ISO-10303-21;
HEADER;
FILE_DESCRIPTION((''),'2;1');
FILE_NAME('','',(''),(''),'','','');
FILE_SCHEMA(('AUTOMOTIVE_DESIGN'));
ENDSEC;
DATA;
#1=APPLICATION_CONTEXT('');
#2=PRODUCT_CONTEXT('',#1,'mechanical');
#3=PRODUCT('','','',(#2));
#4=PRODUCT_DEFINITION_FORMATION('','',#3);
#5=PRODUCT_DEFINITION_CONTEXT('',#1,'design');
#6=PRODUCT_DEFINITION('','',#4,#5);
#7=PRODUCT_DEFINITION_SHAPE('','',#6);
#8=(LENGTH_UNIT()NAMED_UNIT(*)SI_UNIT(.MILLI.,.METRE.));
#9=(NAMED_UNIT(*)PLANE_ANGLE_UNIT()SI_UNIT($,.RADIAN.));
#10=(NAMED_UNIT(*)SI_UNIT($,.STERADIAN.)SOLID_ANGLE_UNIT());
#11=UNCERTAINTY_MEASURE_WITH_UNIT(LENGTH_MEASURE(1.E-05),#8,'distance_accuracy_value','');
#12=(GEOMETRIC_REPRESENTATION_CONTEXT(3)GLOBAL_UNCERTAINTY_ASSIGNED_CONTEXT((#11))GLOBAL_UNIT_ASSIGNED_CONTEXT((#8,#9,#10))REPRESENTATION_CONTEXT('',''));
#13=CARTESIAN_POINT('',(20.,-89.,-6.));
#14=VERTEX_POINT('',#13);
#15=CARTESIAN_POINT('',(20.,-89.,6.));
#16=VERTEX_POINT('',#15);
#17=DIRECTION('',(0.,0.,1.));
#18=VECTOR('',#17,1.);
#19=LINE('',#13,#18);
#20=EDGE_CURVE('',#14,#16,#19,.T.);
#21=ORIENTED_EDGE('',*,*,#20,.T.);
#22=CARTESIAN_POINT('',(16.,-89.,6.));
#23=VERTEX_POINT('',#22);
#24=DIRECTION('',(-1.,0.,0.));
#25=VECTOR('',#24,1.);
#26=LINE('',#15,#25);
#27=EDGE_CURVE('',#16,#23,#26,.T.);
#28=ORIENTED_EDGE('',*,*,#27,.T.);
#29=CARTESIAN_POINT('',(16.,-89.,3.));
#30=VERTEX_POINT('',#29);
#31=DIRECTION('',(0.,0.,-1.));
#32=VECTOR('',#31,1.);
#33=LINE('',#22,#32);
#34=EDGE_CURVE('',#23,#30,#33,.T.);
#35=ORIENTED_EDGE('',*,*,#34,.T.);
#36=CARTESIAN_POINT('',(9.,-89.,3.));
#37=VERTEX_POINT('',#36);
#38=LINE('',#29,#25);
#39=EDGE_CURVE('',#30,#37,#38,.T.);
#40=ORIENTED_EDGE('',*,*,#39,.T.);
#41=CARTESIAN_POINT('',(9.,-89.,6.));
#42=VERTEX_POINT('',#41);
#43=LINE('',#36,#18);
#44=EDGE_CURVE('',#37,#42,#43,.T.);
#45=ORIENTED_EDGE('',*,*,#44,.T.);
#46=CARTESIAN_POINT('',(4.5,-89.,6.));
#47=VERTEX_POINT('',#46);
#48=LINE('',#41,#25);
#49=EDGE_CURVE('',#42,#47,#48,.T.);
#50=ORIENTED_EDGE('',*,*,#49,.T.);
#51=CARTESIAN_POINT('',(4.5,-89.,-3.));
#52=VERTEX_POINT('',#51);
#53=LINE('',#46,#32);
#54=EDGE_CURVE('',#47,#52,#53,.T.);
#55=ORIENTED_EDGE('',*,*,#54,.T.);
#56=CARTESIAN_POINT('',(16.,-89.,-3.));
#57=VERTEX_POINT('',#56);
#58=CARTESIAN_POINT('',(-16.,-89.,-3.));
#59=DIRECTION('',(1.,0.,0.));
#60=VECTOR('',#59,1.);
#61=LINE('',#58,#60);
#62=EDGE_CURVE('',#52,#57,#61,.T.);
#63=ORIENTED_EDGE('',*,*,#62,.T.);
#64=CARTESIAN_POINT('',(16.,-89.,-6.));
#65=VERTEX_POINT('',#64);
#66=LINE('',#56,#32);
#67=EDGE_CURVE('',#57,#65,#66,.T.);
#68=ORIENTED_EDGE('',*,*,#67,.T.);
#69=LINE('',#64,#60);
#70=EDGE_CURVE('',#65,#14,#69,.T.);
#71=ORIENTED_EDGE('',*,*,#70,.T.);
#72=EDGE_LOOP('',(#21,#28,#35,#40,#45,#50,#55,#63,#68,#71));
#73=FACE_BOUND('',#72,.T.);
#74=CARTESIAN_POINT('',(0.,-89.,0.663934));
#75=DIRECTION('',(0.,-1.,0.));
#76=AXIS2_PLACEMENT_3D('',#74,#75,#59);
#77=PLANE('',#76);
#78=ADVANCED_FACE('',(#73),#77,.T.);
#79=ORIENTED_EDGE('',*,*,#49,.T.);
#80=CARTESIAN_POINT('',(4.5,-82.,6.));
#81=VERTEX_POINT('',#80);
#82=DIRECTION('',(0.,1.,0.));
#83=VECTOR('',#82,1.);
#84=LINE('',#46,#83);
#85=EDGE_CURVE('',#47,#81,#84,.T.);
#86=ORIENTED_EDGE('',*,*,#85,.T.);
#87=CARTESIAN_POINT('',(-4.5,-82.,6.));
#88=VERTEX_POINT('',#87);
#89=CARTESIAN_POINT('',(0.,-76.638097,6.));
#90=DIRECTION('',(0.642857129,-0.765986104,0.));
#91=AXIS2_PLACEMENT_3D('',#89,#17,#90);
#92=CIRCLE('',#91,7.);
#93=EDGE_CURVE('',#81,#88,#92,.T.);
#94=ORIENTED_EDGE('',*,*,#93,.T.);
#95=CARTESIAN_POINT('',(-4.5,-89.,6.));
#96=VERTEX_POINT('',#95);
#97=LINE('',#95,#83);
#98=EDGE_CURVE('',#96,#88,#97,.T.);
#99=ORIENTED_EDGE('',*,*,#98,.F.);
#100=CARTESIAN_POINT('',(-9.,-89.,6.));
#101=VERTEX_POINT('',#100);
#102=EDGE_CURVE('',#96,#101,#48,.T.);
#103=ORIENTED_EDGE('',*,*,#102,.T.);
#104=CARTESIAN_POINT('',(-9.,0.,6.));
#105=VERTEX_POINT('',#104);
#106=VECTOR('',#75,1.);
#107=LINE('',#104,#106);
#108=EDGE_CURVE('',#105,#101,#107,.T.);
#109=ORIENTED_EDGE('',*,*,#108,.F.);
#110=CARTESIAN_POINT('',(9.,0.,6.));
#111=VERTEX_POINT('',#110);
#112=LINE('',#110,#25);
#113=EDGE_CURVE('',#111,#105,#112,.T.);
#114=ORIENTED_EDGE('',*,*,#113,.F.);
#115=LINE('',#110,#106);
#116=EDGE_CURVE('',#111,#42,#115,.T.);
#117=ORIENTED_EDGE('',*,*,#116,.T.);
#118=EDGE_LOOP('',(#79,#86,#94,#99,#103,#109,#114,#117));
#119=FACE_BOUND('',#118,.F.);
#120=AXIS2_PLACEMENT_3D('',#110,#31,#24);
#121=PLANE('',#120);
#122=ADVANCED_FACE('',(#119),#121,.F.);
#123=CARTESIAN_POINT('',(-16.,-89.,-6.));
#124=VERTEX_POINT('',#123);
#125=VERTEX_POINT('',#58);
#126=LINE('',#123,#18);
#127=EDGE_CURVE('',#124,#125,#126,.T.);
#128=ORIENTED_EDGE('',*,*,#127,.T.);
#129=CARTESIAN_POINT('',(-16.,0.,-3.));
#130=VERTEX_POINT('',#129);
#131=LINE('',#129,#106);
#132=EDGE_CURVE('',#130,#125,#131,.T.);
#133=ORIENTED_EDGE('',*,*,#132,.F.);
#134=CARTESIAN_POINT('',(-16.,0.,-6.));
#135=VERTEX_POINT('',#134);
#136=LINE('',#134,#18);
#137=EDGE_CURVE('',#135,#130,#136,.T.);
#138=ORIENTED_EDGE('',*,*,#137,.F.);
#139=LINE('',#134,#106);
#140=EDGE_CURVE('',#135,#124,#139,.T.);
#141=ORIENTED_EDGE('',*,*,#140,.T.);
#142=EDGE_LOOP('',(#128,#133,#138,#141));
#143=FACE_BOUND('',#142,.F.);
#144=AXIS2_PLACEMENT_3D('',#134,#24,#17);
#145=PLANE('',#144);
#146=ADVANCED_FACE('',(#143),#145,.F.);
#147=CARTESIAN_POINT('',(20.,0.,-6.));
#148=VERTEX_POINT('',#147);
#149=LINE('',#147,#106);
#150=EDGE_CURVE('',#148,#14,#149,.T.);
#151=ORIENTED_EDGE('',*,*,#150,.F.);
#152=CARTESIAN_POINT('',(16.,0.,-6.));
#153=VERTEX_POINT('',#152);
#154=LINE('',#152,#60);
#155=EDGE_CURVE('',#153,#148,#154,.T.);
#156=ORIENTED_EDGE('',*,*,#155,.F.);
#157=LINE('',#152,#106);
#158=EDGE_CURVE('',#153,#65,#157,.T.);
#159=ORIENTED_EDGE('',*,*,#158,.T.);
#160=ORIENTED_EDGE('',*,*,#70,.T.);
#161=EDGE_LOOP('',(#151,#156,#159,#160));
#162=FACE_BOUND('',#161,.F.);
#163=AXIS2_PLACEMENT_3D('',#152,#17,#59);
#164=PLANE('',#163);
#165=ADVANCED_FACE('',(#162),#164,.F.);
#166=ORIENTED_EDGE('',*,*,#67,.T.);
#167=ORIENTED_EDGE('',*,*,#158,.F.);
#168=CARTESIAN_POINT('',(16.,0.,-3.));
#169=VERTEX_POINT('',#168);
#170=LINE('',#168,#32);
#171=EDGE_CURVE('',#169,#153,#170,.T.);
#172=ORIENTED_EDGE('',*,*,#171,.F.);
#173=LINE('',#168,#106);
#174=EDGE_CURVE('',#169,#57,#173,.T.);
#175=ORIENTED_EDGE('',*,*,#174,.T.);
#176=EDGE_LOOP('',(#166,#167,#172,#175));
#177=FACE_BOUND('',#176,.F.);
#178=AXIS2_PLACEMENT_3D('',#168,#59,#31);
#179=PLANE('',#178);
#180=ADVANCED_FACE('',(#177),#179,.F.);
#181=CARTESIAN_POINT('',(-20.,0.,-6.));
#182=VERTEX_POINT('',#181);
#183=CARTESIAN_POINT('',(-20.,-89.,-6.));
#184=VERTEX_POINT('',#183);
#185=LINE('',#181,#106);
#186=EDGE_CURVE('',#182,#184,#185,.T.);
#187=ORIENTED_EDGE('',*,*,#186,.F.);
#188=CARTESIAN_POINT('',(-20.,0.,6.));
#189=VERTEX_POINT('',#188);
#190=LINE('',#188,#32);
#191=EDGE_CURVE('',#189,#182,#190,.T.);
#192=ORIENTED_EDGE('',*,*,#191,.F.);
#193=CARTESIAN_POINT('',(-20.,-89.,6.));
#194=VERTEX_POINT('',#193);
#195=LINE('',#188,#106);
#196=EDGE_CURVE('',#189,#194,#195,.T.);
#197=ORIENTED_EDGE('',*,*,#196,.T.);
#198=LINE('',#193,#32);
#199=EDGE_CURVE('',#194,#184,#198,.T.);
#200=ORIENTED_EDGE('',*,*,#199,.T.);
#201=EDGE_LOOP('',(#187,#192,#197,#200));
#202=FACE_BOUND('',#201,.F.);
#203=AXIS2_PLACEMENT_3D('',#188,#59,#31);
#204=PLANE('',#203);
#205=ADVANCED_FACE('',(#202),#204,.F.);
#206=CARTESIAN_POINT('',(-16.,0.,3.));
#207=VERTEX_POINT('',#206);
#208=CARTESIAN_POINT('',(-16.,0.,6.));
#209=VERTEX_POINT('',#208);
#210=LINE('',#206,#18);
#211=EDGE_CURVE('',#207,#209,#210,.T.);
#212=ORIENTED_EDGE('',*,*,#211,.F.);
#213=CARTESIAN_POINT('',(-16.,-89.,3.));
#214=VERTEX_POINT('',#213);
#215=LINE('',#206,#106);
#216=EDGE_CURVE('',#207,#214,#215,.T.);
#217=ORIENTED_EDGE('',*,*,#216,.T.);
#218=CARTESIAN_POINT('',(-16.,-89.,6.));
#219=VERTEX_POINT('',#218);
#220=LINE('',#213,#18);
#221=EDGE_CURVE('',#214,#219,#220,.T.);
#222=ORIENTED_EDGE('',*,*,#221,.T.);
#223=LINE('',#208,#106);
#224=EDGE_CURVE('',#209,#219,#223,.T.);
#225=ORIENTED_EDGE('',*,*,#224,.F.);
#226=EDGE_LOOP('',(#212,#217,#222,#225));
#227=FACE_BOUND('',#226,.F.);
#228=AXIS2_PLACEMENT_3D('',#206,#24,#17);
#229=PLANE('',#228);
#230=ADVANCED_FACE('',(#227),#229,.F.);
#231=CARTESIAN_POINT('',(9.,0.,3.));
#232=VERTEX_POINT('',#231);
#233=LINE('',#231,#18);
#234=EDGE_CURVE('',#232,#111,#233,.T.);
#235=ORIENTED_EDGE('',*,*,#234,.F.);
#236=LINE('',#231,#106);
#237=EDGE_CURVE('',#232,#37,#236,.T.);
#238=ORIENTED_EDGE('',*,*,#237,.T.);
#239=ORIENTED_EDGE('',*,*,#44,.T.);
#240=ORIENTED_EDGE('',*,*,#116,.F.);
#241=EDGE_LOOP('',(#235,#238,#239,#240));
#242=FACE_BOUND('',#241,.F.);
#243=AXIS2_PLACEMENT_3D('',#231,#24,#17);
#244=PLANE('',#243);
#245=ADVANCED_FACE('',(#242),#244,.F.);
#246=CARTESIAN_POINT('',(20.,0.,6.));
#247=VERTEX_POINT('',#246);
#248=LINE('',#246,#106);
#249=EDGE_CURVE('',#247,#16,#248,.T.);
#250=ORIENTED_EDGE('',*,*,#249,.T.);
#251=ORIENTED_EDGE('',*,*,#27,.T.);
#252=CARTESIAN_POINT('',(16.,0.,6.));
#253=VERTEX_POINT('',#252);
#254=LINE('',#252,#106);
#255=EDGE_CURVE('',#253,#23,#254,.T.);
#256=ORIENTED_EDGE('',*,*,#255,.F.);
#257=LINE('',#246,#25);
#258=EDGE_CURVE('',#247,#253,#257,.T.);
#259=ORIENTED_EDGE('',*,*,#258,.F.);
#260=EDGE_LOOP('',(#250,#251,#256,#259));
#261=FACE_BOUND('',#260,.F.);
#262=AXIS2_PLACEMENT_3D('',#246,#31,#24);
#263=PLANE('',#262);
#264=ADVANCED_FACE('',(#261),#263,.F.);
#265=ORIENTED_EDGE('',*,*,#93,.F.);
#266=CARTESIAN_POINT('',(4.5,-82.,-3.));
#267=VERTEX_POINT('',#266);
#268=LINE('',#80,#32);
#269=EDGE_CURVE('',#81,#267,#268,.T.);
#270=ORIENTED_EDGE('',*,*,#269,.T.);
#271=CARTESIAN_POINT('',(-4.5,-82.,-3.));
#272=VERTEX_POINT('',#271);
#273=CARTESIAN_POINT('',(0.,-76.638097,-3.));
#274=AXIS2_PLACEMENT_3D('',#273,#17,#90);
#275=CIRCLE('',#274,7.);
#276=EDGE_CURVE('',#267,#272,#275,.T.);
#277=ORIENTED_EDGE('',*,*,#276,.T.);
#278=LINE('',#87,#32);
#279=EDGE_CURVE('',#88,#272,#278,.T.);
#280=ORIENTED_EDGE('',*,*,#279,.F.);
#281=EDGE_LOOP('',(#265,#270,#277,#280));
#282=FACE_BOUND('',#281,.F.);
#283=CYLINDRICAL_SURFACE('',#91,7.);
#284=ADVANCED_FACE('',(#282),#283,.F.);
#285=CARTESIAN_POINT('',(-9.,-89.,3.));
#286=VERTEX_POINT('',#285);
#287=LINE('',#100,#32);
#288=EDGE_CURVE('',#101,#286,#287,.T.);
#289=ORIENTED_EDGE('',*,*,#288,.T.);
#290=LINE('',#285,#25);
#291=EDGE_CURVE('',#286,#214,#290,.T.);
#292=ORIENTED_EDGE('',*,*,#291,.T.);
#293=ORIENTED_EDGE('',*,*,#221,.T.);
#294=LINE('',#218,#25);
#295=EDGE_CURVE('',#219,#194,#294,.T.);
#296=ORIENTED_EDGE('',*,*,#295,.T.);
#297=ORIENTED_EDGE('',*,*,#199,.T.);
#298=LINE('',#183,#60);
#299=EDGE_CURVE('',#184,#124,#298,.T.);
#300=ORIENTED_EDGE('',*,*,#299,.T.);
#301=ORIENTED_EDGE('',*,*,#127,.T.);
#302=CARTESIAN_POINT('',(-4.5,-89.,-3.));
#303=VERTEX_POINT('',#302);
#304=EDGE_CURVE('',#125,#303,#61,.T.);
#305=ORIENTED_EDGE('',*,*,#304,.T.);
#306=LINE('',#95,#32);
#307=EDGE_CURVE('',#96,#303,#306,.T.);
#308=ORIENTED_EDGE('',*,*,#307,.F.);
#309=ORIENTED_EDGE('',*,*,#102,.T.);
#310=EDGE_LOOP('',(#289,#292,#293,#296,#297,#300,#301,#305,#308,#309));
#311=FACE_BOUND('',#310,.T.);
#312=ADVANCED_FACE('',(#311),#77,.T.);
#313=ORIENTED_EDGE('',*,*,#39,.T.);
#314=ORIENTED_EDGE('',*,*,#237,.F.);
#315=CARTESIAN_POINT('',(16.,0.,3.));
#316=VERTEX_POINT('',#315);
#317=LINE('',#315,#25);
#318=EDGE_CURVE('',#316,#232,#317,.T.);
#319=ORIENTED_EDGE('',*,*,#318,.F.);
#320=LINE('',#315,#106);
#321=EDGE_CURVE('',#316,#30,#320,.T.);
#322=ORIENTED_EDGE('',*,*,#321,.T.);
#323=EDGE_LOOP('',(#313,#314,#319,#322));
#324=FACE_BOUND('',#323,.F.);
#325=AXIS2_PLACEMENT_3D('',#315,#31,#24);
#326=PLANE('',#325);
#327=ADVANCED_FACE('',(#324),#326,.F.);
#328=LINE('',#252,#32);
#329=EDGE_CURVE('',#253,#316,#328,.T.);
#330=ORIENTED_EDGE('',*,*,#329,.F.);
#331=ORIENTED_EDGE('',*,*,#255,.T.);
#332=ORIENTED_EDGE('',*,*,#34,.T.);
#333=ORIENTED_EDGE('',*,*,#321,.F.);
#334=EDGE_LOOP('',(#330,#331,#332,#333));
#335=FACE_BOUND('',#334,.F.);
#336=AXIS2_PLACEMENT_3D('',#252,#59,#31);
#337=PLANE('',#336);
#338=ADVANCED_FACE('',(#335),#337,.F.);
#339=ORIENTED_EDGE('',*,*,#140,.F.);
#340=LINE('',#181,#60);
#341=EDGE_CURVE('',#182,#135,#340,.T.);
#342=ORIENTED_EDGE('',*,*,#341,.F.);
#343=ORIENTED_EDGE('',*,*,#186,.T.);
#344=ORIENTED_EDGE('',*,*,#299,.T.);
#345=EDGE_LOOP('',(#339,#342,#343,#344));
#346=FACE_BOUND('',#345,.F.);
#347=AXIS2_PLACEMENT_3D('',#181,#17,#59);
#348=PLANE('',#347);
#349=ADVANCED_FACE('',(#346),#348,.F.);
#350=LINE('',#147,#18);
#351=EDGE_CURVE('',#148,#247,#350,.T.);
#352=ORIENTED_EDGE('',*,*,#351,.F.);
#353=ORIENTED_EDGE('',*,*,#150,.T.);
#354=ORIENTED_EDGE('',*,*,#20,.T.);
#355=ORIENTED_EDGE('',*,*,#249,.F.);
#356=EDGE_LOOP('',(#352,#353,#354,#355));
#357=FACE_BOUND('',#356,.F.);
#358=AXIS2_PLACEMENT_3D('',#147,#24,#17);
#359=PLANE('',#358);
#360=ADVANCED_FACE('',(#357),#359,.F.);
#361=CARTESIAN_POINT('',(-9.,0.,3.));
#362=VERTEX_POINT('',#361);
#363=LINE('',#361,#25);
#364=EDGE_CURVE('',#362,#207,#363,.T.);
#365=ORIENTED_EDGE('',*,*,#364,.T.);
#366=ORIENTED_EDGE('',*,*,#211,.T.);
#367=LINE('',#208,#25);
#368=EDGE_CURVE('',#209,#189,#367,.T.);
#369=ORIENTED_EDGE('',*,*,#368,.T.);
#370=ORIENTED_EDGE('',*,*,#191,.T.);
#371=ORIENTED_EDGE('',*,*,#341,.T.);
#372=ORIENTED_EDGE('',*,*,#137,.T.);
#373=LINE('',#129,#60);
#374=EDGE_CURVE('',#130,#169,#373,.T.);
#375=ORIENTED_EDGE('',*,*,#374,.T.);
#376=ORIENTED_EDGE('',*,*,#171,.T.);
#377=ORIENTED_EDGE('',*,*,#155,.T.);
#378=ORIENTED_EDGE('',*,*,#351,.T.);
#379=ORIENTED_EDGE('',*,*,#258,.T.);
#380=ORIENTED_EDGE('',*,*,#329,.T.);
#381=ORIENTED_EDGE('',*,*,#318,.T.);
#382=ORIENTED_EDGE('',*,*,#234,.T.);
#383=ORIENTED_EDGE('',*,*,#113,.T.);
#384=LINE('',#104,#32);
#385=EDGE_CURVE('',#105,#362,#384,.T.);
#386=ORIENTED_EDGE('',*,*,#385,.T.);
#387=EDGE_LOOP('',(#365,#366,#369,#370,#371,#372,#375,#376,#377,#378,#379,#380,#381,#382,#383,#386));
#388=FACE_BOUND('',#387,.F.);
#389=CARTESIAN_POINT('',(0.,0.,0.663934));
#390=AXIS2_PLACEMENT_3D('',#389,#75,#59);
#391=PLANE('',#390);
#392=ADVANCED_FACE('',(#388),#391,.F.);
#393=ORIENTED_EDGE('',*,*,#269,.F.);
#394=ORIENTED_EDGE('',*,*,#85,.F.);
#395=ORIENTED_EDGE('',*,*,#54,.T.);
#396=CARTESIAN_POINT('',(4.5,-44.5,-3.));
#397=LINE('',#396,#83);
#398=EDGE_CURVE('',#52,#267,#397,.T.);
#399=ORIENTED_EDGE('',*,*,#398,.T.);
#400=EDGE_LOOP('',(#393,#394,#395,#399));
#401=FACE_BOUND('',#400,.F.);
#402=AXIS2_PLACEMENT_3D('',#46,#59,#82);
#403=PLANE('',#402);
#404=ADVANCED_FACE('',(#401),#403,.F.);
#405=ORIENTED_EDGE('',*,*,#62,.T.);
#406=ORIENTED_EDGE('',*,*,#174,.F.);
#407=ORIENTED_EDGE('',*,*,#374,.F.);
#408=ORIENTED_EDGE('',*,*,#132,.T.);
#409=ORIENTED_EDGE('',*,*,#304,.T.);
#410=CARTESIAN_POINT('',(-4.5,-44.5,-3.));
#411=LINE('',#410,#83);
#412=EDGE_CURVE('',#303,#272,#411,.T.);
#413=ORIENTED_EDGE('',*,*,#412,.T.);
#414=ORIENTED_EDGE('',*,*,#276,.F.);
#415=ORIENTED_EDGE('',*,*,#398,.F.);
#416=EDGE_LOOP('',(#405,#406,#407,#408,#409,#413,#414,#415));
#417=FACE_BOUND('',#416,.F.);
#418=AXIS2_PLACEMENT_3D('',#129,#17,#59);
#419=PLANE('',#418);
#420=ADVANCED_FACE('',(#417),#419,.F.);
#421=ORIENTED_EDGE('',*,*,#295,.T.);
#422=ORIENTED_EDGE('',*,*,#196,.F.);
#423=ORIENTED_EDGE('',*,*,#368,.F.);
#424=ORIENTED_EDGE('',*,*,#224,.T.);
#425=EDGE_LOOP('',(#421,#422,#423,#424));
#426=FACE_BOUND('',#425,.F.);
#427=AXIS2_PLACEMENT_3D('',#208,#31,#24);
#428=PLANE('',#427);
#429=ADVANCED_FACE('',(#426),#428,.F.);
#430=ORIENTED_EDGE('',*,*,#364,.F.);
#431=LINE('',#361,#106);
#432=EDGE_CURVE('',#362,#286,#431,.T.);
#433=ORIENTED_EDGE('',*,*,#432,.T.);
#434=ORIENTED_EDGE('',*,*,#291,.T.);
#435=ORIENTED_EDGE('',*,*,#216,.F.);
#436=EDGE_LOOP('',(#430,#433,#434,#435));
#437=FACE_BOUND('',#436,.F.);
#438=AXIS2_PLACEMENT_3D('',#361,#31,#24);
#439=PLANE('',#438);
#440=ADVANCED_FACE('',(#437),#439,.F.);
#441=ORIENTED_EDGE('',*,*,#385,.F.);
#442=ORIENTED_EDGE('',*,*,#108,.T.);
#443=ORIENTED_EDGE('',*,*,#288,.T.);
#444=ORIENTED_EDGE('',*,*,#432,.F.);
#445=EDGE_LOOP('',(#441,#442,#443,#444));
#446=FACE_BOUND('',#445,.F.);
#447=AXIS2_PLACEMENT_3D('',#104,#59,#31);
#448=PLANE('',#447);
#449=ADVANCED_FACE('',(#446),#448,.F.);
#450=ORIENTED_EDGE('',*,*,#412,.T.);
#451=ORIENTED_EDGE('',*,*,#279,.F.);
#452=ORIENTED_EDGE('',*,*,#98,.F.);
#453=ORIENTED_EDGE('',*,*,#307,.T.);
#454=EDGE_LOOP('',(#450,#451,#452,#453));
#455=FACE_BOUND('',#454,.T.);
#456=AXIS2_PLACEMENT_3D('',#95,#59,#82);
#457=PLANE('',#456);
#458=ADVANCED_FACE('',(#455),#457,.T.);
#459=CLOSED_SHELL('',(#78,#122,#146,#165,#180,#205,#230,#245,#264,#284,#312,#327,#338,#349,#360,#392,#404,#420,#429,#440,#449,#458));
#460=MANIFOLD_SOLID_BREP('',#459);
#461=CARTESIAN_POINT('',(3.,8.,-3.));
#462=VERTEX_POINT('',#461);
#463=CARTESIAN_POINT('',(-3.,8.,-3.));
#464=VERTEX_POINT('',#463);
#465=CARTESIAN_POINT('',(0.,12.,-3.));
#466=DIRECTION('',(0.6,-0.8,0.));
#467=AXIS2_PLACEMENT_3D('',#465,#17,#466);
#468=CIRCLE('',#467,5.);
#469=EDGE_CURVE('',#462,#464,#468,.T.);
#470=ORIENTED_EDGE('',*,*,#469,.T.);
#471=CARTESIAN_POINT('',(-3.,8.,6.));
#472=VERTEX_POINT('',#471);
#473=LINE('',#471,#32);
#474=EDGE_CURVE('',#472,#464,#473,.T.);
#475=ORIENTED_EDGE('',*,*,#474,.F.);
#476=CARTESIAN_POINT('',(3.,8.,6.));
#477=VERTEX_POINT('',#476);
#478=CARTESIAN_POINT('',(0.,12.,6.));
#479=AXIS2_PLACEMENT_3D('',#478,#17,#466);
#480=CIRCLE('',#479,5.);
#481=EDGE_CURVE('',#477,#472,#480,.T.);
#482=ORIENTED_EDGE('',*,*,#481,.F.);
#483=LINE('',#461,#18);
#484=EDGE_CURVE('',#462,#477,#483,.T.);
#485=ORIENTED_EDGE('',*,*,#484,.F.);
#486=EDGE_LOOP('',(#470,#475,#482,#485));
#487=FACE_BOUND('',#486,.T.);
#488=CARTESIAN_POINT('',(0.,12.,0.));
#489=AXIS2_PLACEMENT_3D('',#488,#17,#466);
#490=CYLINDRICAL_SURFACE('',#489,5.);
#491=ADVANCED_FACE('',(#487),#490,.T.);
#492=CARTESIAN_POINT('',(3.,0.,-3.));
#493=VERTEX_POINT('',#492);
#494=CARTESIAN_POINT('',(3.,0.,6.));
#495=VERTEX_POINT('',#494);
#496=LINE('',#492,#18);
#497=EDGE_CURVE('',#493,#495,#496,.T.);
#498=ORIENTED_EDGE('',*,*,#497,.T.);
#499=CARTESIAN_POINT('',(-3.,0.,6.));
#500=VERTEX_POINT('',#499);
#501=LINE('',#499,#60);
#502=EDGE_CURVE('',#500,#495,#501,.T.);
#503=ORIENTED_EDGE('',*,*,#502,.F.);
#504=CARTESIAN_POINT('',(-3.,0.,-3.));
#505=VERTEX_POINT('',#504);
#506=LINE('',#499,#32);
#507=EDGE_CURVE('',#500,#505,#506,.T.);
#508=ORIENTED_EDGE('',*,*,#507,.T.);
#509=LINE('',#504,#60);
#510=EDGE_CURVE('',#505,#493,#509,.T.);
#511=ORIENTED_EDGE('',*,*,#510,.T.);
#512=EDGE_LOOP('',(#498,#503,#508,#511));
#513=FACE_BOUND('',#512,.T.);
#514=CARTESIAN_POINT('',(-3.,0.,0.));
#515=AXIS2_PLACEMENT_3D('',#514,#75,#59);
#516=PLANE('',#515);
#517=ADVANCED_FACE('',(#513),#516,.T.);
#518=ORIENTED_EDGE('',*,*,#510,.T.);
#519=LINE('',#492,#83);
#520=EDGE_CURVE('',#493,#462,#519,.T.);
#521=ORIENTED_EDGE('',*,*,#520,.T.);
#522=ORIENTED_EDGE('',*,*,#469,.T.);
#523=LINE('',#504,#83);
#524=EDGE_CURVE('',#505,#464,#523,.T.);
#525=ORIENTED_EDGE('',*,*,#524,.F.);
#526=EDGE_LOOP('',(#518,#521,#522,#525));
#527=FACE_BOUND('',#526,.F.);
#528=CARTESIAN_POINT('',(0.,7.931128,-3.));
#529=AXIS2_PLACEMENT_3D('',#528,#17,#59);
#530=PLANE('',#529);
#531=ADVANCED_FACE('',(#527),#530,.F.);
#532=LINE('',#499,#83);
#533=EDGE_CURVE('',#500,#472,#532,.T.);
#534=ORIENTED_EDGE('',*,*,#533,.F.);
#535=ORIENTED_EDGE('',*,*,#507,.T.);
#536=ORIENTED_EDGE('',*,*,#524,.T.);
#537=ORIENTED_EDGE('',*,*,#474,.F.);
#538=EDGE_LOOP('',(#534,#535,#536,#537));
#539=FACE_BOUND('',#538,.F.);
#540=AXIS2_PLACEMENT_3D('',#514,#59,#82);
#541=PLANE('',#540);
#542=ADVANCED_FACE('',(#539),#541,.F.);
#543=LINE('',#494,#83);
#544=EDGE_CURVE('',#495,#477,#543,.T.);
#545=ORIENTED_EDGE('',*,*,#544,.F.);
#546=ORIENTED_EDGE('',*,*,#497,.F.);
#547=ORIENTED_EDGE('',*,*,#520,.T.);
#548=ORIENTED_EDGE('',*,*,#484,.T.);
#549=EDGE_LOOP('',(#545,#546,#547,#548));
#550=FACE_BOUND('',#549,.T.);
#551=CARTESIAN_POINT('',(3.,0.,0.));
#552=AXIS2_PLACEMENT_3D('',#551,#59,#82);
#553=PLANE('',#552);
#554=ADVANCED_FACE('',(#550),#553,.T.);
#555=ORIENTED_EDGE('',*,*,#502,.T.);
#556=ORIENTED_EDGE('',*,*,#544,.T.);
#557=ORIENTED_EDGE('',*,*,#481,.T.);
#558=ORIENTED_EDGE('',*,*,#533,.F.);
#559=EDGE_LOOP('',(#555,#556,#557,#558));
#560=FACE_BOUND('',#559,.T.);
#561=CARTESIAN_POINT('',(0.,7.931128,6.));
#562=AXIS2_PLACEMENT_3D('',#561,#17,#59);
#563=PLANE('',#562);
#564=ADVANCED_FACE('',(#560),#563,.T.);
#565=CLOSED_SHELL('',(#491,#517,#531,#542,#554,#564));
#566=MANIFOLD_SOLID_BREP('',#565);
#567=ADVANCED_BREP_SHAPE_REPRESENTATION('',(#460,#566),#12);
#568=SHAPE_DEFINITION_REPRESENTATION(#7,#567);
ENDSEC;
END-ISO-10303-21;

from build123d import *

# Parameters (mm, degrees)
PAD_DEPTH         = 89
POCKET_DEPTH      = 12.001
PAD001_DEPTH      = 6
PAD001_DEPTH_BACK = 3


with BuildPart() as body:
    # Sketch → Pad (new body)
    with BuildSketch(Plane.XZ):
        Polygon((-20, 6), (-20, -6), (-16, -6), (-16, -3), (-9, -3), (9, -3), (16, -3), (16, -6), (20, -6), (20, 6), (16, 6), (16, 3), (9, 3), (9, 6), (-9, 6), (-9, 3), (-16, 3), (-16, 6), align=None)
    extrude(amount=PAD_DEPTH)

    # Sketch002 (on Face14 of Pad) → Pocket (cut, through all)
    with BuildSketch(Plane(origin=(0, 0, 6), x_dir=(-1, 0, 0), z_dir=(0, 0, 1))):
        with BuildLine():
            Line((-4.5, 89), (4.5, 89))
            Line((4.5, 89), (4.5, 82))
            ThreePointArc((-4.5, 82), (0, 69.638097), (4.5, 82))
            Line((-4.5, 89), (-4.5, 82))
        make_face()
    extrude(amount=-POCKET_DEPTH, mode=Mode.SUBTRACT)


with BuildPart() as body001:
    # Sketch001 → Pad001 (new body, two sides)
    with BuildSketch(Plane.XY) as pad001_sk:
        with BuildLine():
            Line((-3, 0), (3, 0))
            Line((3, 0), (3, 8))
            ThreePointArc((3, 8), (0, 17), (-3, 8))
            Line((-3, 0), (-3, 8))
        make_face()
    extrude(amount=PAD001_DEPTH)
    extrude(pad001_sk.sketch, amount=-PAD001_DEPTH_BACK)


solid = Compound([body.part, body001.part])
